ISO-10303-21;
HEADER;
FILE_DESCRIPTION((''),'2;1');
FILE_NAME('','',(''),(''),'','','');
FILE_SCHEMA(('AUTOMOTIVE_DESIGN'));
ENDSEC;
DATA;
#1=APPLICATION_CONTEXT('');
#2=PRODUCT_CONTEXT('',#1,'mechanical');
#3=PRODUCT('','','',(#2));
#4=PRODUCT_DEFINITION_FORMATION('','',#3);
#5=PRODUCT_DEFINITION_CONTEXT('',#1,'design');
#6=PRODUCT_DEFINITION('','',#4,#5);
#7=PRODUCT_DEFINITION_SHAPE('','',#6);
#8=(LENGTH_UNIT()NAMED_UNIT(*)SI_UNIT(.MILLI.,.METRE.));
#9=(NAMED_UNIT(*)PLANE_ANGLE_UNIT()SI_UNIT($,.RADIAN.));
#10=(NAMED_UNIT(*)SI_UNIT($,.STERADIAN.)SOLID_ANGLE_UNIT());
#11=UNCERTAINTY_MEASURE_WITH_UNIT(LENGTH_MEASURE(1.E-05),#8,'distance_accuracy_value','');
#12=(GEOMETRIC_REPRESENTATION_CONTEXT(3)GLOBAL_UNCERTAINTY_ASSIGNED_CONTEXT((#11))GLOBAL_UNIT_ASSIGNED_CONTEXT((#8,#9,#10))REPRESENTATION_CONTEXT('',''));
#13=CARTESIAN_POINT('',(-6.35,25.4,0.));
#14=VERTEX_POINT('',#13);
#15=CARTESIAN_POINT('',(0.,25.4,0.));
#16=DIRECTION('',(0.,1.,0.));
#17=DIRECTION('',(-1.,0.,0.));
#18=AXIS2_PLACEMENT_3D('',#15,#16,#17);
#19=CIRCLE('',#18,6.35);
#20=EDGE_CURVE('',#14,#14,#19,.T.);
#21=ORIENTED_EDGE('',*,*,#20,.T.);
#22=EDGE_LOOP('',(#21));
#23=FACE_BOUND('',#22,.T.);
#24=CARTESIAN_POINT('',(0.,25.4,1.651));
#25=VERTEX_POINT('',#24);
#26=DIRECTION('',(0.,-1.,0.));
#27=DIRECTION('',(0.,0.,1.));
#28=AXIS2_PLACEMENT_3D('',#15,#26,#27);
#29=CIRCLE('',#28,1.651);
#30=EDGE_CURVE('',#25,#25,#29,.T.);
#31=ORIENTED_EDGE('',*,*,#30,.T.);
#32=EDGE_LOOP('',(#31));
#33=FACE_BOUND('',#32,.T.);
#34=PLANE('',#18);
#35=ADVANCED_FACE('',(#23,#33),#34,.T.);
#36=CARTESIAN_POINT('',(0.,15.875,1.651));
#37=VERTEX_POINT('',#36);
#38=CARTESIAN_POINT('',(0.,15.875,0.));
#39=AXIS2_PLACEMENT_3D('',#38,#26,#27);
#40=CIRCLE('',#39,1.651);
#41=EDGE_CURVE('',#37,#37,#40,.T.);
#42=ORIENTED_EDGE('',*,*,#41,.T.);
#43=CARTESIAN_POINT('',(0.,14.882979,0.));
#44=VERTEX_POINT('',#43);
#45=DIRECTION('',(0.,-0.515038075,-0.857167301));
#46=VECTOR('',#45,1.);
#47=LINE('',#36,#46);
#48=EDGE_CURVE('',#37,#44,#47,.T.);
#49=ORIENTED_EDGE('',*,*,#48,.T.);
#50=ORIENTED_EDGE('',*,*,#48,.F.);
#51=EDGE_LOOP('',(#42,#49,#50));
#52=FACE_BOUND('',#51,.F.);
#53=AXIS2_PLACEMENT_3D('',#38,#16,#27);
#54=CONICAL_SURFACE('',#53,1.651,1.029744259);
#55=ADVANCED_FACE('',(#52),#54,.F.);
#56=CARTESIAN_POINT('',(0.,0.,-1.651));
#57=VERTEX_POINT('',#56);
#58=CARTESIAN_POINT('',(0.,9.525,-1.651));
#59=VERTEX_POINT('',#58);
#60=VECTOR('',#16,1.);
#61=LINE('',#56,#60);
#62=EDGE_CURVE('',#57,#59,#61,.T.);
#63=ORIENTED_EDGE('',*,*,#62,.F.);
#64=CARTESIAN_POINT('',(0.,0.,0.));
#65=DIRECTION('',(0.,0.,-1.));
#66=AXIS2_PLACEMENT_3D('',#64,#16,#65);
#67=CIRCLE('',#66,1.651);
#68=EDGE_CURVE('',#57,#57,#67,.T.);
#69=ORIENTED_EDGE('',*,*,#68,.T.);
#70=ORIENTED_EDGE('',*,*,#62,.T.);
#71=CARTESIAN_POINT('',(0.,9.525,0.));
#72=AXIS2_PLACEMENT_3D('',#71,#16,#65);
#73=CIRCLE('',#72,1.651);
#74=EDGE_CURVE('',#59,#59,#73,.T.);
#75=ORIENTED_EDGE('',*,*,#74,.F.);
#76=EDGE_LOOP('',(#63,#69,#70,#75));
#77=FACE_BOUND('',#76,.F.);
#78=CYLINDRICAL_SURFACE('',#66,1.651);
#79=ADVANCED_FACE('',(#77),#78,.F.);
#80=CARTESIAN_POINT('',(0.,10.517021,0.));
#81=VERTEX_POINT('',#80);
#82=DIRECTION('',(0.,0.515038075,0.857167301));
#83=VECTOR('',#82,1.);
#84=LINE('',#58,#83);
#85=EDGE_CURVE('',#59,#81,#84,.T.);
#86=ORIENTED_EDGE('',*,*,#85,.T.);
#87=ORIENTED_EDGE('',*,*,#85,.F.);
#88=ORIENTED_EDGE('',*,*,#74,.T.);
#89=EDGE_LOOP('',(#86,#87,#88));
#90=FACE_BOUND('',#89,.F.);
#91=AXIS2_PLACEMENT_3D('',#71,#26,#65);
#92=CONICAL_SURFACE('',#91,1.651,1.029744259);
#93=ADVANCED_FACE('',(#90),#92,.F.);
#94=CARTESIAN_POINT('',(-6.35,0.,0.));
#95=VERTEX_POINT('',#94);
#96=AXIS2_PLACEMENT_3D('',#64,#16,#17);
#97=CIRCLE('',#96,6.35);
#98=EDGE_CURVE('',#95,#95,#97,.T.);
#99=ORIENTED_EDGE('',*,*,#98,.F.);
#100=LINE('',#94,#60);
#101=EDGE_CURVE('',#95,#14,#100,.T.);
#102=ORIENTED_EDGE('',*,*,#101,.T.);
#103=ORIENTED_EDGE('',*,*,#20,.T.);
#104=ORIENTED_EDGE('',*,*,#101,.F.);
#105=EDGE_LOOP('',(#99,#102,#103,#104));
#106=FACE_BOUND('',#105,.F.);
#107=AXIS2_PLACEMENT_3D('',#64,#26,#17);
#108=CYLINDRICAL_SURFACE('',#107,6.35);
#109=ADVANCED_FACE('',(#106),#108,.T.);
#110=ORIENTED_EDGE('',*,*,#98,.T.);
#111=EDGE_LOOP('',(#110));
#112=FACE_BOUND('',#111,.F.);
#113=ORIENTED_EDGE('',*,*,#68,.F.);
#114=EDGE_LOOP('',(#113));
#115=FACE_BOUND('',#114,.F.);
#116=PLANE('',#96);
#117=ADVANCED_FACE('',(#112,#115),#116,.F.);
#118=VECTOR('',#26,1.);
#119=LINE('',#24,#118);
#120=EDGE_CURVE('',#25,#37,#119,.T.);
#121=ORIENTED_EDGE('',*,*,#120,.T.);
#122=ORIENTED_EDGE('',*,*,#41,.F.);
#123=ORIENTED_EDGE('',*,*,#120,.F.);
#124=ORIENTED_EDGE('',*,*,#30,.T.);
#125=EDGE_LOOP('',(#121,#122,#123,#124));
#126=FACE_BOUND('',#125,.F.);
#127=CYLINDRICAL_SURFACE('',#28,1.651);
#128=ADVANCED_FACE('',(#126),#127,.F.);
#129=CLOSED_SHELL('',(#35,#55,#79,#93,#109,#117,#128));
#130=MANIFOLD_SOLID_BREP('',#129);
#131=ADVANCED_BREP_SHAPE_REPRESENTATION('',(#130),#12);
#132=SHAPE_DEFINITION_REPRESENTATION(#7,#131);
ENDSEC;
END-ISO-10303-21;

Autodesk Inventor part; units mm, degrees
ref_plane "YZ Plane" through (0, 0, 0) normal (1, 0, 0) x (0, 1, 0)
ref_plane "XZ Plane" through (0, 0, 0) normal (0, 1, 0) x (-1, 0, 0)
ref_plane "XY Plane" through (0, 0, 0) normal (0, 0, 1) x (1, 0, 0)
sketch "Sketch1" plane through (0, 0, 0) normal (0, 1, 0) x (-1, 0, 0)
  circle A0 centre (0, 0) radius 6.35
  dimension "d0" = 12.7
extrude "Extrusion1" add sketch "Sketch1" along normal blind 25.4
hole "Hole1" at (0, 25.4, 0) direction (0, -1, 0) diameter 3.302 depth 9.525 tip angle 118 thread size "8-32 UNC" class "2B" standard "ANSI Unified Screw Threads"
hole "Hole2" at (0, 0, 0) direction (0, 1, 0) diameter 3.302 depth 9.525 tip angle 118 thread size "8-32 UNC" class "2B" standard "ANSI Unified Screw Threads"
properties part number "alumina_standoff_LSP_ASO00110"
